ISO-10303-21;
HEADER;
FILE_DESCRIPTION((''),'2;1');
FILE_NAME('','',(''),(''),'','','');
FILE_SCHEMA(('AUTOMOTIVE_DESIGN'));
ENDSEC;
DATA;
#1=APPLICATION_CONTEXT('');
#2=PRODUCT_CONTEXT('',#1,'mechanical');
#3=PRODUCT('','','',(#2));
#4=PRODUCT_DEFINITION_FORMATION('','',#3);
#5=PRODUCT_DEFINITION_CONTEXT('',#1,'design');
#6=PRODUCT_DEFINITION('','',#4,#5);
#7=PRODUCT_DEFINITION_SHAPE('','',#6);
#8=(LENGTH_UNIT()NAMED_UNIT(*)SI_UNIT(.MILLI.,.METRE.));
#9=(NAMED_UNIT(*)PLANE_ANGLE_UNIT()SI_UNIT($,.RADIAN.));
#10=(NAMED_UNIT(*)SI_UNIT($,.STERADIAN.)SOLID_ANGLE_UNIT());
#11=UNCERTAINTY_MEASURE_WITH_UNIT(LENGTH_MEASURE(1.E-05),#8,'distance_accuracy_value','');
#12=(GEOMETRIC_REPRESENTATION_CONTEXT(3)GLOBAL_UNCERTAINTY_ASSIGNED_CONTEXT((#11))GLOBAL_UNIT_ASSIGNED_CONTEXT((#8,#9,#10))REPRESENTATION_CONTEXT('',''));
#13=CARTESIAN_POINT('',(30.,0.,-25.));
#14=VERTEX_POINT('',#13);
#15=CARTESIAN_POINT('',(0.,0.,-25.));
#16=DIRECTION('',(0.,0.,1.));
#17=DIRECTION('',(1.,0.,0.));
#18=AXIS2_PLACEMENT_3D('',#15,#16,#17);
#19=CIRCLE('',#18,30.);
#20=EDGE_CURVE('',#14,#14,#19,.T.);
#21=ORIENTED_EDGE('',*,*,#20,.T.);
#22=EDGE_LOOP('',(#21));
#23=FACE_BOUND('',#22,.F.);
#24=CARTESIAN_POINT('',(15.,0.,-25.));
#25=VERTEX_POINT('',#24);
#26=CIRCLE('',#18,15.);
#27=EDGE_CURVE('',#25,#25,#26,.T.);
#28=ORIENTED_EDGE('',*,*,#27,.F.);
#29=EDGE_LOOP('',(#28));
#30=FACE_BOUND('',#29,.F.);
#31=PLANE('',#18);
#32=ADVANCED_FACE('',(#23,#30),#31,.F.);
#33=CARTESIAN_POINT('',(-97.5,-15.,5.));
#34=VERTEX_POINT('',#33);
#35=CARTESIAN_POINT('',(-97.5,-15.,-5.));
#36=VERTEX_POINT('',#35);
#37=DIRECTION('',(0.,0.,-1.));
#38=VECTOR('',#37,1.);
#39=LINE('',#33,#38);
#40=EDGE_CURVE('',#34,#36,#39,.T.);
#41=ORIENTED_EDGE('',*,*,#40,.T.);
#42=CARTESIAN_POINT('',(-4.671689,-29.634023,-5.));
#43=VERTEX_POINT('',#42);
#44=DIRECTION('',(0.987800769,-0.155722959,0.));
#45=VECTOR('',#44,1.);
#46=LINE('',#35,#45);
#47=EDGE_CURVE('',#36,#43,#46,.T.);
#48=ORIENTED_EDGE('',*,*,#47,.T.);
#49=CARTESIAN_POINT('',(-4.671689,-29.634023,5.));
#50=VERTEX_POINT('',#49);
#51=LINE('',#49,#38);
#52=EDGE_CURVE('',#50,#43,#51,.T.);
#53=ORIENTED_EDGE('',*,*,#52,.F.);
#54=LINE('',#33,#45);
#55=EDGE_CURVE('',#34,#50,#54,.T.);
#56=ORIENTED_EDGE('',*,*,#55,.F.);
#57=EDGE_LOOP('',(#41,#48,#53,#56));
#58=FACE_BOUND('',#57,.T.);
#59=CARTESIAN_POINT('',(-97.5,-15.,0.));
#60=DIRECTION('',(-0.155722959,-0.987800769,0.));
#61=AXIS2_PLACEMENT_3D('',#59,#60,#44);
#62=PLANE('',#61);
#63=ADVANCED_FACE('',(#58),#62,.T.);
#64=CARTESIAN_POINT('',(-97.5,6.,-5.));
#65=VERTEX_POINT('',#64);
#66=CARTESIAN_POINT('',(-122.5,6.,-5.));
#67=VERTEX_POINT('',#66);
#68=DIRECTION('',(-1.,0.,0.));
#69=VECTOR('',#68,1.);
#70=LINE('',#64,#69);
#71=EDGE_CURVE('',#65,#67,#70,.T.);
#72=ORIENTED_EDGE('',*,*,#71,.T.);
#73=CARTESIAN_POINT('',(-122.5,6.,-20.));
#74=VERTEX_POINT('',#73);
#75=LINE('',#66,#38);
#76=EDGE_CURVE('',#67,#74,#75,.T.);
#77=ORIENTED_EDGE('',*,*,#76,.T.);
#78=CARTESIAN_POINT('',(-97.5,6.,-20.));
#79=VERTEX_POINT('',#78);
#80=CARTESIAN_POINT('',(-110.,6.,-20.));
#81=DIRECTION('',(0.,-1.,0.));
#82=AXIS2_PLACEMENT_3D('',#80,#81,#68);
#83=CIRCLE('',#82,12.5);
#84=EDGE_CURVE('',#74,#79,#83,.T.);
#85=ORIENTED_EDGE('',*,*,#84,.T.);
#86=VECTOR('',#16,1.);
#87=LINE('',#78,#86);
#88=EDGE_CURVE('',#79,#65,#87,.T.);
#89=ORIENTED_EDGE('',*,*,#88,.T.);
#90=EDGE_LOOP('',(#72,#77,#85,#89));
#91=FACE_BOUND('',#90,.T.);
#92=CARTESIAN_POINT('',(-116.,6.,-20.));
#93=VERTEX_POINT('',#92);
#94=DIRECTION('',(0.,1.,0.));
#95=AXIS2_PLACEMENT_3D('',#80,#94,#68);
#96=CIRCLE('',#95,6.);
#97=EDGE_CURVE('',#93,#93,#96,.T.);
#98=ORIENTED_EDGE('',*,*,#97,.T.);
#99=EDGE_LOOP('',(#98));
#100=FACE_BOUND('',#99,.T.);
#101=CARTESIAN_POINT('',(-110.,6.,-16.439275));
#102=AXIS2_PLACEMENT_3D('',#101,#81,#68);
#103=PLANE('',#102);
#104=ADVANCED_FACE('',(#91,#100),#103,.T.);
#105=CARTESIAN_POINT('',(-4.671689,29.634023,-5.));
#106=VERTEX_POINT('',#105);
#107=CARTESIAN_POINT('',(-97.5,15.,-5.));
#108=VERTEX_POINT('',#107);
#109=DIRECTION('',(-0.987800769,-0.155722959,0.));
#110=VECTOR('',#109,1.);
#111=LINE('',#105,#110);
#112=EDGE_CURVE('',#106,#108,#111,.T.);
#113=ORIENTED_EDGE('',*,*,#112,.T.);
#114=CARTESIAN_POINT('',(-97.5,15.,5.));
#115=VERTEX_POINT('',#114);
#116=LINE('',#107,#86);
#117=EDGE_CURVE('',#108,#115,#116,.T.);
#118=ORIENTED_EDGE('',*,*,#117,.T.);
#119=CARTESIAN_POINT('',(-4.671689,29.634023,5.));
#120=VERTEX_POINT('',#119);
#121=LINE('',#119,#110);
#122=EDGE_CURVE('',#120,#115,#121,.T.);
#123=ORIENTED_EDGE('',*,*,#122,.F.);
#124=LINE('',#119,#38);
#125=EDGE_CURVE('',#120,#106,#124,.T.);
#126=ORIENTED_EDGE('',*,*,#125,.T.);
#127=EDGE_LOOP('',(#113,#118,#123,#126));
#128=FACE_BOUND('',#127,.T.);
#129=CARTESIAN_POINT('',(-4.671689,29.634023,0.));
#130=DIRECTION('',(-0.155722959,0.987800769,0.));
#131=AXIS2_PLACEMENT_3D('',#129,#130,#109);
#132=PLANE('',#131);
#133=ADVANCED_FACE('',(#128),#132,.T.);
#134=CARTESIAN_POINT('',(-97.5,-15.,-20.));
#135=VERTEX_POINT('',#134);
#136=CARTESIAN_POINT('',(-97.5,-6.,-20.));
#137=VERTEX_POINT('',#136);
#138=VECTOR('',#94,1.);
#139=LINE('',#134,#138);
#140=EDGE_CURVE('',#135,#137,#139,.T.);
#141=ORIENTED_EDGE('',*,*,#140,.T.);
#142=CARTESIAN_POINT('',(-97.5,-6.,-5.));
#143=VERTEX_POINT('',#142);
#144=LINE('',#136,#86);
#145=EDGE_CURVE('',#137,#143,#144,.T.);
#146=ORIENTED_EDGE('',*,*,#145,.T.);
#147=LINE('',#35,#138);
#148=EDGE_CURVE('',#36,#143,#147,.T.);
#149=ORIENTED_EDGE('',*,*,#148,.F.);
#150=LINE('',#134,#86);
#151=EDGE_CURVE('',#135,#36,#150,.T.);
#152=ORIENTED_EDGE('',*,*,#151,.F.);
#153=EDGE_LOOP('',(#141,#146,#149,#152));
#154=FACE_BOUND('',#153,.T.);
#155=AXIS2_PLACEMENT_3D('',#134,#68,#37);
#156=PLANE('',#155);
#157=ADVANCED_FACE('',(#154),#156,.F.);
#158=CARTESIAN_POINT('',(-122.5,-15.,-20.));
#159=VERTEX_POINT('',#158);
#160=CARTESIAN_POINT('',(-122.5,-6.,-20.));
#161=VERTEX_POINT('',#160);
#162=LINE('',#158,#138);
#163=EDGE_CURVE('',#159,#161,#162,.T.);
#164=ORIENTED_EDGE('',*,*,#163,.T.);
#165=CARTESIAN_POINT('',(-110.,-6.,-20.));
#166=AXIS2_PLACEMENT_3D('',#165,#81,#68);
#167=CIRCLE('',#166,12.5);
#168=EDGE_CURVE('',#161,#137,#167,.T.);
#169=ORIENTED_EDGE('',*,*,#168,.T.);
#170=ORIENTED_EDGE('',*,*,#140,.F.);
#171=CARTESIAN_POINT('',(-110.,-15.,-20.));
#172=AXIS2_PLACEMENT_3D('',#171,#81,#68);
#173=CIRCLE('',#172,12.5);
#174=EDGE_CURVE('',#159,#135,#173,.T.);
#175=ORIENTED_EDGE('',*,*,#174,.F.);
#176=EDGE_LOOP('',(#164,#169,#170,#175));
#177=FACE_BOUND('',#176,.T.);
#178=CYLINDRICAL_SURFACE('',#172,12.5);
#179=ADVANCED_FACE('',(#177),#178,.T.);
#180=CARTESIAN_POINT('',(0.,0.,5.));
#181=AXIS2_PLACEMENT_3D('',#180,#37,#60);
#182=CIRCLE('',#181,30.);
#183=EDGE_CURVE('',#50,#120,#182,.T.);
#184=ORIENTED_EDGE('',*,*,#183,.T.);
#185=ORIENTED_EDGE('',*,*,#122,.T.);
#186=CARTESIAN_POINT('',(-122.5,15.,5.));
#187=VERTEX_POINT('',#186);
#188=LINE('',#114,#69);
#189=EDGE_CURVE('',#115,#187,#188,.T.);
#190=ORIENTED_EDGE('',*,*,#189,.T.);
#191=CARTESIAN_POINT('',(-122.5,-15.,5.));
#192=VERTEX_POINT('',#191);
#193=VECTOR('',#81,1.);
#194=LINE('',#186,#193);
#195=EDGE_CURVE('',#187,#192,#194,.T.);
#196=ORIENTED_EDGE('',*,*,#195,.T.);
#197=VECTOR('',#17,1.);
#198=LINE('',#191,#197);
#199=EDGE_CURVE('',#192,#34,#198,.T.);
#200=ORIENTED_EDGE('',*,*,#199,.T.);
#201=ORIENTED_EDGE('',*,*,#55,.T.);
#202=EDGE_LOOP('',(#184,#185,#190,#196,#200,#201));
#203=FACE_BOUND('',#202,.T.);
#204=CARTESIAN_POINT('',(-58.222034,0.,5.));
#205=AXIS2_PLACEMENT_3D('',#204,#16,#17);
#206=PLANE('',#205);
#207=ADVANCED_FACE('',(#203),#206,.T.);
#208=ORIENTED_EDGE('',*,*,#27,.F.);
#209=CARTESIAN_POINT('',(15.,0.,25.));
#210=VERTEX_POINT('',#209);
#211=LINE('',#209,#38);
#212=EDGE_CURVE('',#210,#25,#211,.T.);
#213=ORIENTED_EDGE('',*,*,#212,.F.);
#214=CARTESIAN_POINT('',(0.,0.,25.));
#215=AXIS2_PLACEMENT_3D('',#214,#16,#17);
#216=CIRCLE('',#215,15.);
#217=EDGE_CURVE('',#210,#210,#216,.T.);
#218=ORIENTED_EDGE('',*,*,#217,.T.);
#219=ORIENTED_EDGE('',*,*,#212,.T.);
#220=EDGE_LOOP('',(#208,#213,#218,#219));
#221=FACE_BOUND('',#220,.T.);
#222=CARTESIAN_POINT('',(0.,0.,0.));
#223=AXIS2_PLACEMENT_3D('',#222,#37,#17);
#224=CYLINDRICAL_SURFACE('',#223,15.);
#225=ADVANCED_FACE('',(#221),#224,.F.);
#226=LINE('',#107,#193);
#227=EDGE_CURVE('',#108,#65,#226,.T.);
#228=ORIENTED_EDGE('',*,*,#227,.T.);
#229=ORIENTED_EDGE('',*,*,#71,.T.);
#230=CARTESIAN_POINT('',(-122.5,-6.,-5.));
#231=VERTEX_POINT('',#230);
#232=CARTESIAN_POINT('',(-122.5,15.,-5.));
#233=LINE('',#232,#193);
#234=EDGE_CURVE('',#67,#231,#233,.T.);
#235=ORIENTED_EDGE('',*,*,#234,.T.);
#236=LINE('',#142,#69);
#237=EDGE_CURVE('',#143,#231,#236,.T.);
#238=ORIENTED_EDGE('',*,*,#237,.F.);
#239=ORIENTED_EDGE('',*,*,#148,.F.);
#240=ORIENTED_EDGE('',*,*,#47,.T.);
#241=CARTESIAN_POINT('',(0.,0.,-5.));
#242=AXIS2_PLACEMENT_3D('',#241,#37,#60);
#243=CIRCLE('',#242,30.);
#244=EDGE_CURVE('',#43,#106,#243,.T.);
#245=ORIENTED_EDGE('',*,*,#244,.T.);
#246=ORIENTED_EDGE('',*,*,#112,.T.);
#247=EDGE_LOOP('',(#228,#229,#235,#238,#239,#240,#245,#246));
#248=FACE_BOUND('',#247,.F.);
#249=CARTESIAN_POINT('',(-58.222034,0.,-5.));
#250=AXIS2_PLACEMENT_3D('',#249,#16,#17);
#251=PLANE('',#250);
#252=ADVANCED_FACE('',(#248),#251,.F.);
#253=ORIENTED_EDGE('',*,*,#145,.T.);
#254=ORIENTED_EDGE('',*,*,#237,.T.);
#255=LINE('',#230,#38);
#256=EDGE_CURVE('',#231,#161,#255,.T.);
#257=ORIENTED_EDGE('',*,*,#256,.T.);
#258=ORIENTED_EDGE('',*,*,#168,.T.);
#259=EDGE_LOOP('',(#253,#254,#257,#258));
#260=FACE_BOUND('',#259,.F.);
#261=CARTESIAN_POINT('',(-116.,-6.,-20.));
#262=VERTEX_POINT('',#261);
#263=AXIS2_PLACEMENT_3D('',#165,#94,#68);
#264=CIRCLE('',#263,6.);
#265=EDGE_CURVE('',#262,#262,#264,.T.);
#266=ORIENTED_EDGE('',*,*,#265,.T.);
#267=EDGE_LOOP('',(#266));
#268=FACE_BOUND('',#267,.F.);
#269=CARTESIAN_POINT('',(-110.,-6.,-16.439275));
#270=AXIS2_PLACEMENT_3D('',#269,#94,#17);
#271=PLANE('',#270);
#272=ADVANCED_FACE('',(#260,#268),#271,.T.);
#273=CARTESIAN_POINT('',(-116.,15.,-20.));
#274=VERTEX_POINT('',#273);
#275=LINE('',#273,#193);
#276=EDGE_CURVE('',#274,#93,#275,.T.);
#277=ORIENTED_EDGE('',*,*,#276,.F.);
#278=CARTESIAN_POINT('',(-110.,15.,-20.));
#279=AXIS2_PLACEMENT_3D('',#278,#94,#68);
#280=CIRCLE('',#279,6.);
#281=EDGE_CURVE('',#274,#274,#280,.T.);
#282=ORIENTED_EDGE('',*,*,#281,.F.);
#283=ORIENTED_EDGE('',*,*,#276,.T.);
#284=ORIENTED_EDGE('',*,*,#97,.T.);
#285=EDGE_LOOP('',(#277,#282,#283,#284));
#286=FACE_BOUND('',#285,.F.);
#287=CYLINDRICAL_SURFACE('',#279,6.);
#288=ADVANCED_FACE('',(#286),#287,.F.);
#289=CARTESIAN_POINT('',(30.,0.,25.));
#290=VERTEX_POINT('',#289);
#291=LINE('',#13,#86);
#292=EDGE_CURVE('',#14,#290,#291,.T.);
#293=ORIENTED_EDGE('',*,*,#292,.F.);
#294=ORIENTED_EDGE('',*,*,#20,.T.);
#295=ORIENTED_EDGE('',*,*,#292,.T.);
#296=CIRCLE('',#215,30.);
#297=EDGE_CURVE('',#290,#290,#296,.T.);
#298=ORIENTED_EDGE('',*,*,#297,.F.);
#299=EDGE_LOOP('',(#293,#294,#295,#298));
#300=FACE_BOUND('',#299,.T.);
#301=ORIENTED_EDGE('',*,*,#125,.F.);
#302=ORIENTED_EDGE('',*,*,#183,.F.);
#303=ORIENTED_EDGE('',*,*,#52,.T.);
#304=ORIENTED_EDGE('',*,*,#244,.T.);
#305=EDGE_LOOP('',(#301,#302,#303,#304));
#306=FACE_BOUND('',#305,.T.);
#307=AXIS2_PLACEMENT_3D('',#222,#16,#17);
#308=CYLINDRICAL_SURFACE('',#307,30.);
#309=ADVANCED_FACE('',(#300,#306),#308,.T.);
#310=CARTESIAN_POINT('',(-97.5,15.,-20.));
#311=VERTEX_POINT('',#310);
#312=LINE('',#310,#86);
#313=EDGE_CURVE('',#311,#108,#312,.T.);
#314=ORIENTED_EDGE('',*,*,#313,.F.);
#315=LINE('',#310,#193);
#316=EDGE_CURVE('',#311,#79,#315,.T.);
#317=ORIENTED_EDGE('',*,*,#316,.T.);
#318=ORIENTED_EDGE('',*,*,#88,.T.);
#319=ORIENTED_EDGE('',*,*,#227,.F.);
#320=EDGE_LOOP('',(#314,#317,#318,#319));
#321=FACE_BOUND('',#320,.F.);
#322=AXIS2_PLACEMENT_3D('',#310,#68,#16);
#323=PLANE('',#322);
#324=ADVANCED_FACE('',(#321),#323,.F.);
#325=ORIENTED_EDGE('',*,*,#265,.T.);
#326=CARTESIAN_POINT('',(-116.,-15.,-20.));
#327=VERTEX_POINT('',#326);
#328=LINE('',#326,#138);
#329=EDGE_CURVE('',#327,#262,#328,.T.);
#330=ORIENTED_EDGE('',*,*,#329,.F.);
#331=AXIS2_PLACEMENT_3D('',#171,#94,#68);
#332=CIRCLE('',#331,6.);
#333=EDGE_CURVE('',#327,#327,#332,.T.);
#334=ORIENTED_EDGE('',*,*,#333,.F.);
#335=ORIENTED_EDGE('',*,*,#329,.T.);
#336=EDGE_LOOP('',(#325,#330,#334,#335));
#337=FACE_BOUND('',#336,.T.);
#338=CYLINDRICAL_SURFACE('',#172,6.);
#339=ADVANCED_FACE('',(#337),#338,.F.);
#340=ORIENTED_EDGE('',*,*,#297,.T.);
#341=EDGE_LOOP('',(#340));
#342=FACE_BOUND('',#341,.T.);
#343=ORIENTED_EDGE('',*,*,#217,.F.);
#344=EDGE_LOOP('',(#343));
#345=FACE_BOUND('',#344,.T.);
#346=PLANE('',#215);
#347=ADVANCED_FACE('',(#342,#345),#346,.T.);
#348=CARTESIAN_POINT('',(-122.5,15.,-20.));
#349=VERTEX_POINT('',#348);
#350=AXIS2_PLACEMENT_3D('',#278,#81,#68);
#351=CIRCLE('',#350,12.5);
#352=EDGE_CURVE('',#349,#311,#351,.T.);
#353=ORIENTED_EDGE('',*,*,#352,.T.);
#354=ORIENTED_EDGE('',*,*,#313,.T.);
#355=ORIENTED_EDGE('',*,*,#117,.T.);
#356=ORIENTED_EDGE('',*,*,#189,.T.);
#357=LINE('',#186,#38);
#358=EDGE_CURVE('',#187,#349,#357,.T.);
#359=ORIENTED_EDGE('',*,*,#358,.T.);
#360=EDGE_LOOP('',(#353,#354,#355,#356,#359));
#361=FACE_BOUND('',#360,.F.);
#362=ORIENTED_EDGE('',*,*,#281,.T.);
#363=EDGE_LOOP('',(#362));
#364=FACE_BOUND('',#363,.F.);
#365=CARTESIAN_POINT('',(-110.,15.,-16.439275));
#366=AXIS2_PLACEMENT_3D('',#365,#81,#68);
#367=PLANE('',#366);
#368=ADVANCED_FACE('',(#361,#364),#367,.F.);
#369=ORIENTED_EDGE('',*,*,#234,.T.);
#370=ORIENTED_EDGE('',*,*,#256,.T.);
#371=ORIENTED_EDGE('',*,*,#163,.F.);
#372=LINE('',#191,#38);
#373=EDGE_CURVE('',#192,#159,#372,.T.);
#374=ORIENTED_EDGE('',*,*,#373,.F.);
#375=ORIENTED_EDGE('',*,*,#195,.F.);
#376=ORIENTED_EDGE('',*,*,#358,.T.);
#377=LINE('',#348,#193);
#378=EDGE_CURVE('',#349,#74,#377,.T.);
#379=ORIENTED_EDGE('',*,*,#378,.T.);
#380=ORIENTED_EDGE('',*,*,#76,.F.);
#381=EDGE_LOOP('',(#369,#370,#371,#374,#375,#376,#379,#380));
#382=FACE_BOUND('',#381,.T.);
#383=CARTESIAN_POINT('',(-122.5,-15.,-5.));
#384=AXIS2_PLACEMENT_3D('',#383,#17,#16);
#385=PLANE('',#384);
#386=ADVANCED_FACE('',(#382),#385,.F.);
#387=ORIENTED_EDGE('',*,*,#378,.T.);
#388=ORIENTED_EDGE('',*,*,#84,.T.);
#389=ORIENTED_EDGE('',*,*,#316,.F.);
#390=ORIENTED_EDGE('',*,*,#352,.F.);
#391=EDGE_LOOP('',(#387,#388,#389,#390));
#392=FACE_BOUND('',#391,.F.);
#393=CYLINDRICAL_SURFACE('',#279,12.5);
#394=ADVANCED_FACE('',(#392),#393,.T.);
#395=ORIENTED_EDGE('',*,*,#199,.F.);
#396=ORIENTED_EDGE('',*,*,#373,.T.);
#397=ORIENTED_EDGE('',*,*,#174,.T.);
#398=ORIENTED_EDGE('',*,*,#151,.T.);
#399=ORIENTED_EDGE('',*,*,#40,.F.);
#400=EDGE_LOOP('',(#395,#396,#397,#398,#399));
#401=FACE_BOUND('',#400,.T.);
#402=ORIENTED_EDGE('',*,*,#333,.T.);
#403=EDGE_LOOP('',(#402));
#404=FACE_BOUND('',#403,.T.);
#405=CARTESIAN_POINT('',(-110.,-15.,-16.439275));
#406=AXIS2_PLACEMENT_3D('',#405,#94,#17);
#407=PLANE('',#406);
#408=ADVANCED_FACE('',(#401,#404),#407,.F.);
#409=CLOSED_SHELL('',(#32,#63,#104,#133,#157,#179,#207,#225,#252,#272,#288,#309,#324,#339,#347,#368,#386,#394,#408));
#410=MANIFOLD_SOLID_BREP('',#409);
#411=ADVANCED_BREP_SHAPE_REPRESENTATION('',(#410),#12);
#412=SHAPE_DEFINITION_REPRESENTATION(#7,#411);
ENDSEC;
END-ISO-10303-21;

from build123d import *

# Parameters (mm, degrees)
SKETCH1_R           = 30
SKETCH1_R_2         = 15
BOSS_EXTRUDE1_DEPTH = 25
BOSS_EXTRUDE2_DEPTH = 5
SKETCH3_R           = 6
BOSS_EXTRUDE3_DEPTH = 9


with BuildPart() as part:
    # Sketch1 → Boss-Extrude1 (new body, symmetric)
    with BuildSketch(Plane.XY):
        Circle(SKETCH1_R)
        Circle(SKETCH1_R_2, mode=Mode.SUBTRACT)
    extrude(amount=BOSS_EXTRUDE1_DEPTH, both=True)

    # Sketch2 → Boss-Extrude2 (add, symmetric)
    with BuildSketch(Plane.XY):
        with BuildLine():
            Line((-4.671688756, 29.634023084), (-97.5, 15))
            Line((-97.5, 15), (-122.5, 15))
            Line((-122.5, 15), (-122.5, -15))
            Line((-122.5, -15), (-97.5, -15))
            Line((-97.5, -15), (-4.671688756, -29.634023084))
            ThreePointArc((-4.671688756, -29.634023084), (-30, 0), (-4.671688756, 29.634023084))
        make_face()
    boss_extrude2 = extrude(amount=BOSS_EXTRUDE2_DEPTH, both=True)

    # Sketch3 → Boss-Extrude3 (add)
    with BuildSketch(Plane(origin=(0, 15, 0), x_dir=(1, 0, 0), z_dir=(0, 1, 0))):
        with BuildLine():
            Line((-97.5, 5), (-122.5, 5))
            Line((-122.5, 5), (-122.5, 20))
            ThreePointArc((-122.5, 20), (-110, 32.5), (-97.5, 20))
            Line((-97.5, 20), (-97.5, 5))
        make_face()
        with Locations(Location((-110, 20, 0), (0, 0, 180))):  # turned: the seam where the file's is
            Circle(SKETCH3_R, mode=Mode.SUBTRACT)
    boss_extrude3 = extrude(amount=-BOSS_EXTRUDE3_DEPTH)

    # Mirror1: Boss-Extrude2, Boss-Extrude3 across plane
    add(boss_extrude2.mirror(Plane.ZX))
    add(boss_extrude3.mirror(Plane.ZX))


solid = part.part
